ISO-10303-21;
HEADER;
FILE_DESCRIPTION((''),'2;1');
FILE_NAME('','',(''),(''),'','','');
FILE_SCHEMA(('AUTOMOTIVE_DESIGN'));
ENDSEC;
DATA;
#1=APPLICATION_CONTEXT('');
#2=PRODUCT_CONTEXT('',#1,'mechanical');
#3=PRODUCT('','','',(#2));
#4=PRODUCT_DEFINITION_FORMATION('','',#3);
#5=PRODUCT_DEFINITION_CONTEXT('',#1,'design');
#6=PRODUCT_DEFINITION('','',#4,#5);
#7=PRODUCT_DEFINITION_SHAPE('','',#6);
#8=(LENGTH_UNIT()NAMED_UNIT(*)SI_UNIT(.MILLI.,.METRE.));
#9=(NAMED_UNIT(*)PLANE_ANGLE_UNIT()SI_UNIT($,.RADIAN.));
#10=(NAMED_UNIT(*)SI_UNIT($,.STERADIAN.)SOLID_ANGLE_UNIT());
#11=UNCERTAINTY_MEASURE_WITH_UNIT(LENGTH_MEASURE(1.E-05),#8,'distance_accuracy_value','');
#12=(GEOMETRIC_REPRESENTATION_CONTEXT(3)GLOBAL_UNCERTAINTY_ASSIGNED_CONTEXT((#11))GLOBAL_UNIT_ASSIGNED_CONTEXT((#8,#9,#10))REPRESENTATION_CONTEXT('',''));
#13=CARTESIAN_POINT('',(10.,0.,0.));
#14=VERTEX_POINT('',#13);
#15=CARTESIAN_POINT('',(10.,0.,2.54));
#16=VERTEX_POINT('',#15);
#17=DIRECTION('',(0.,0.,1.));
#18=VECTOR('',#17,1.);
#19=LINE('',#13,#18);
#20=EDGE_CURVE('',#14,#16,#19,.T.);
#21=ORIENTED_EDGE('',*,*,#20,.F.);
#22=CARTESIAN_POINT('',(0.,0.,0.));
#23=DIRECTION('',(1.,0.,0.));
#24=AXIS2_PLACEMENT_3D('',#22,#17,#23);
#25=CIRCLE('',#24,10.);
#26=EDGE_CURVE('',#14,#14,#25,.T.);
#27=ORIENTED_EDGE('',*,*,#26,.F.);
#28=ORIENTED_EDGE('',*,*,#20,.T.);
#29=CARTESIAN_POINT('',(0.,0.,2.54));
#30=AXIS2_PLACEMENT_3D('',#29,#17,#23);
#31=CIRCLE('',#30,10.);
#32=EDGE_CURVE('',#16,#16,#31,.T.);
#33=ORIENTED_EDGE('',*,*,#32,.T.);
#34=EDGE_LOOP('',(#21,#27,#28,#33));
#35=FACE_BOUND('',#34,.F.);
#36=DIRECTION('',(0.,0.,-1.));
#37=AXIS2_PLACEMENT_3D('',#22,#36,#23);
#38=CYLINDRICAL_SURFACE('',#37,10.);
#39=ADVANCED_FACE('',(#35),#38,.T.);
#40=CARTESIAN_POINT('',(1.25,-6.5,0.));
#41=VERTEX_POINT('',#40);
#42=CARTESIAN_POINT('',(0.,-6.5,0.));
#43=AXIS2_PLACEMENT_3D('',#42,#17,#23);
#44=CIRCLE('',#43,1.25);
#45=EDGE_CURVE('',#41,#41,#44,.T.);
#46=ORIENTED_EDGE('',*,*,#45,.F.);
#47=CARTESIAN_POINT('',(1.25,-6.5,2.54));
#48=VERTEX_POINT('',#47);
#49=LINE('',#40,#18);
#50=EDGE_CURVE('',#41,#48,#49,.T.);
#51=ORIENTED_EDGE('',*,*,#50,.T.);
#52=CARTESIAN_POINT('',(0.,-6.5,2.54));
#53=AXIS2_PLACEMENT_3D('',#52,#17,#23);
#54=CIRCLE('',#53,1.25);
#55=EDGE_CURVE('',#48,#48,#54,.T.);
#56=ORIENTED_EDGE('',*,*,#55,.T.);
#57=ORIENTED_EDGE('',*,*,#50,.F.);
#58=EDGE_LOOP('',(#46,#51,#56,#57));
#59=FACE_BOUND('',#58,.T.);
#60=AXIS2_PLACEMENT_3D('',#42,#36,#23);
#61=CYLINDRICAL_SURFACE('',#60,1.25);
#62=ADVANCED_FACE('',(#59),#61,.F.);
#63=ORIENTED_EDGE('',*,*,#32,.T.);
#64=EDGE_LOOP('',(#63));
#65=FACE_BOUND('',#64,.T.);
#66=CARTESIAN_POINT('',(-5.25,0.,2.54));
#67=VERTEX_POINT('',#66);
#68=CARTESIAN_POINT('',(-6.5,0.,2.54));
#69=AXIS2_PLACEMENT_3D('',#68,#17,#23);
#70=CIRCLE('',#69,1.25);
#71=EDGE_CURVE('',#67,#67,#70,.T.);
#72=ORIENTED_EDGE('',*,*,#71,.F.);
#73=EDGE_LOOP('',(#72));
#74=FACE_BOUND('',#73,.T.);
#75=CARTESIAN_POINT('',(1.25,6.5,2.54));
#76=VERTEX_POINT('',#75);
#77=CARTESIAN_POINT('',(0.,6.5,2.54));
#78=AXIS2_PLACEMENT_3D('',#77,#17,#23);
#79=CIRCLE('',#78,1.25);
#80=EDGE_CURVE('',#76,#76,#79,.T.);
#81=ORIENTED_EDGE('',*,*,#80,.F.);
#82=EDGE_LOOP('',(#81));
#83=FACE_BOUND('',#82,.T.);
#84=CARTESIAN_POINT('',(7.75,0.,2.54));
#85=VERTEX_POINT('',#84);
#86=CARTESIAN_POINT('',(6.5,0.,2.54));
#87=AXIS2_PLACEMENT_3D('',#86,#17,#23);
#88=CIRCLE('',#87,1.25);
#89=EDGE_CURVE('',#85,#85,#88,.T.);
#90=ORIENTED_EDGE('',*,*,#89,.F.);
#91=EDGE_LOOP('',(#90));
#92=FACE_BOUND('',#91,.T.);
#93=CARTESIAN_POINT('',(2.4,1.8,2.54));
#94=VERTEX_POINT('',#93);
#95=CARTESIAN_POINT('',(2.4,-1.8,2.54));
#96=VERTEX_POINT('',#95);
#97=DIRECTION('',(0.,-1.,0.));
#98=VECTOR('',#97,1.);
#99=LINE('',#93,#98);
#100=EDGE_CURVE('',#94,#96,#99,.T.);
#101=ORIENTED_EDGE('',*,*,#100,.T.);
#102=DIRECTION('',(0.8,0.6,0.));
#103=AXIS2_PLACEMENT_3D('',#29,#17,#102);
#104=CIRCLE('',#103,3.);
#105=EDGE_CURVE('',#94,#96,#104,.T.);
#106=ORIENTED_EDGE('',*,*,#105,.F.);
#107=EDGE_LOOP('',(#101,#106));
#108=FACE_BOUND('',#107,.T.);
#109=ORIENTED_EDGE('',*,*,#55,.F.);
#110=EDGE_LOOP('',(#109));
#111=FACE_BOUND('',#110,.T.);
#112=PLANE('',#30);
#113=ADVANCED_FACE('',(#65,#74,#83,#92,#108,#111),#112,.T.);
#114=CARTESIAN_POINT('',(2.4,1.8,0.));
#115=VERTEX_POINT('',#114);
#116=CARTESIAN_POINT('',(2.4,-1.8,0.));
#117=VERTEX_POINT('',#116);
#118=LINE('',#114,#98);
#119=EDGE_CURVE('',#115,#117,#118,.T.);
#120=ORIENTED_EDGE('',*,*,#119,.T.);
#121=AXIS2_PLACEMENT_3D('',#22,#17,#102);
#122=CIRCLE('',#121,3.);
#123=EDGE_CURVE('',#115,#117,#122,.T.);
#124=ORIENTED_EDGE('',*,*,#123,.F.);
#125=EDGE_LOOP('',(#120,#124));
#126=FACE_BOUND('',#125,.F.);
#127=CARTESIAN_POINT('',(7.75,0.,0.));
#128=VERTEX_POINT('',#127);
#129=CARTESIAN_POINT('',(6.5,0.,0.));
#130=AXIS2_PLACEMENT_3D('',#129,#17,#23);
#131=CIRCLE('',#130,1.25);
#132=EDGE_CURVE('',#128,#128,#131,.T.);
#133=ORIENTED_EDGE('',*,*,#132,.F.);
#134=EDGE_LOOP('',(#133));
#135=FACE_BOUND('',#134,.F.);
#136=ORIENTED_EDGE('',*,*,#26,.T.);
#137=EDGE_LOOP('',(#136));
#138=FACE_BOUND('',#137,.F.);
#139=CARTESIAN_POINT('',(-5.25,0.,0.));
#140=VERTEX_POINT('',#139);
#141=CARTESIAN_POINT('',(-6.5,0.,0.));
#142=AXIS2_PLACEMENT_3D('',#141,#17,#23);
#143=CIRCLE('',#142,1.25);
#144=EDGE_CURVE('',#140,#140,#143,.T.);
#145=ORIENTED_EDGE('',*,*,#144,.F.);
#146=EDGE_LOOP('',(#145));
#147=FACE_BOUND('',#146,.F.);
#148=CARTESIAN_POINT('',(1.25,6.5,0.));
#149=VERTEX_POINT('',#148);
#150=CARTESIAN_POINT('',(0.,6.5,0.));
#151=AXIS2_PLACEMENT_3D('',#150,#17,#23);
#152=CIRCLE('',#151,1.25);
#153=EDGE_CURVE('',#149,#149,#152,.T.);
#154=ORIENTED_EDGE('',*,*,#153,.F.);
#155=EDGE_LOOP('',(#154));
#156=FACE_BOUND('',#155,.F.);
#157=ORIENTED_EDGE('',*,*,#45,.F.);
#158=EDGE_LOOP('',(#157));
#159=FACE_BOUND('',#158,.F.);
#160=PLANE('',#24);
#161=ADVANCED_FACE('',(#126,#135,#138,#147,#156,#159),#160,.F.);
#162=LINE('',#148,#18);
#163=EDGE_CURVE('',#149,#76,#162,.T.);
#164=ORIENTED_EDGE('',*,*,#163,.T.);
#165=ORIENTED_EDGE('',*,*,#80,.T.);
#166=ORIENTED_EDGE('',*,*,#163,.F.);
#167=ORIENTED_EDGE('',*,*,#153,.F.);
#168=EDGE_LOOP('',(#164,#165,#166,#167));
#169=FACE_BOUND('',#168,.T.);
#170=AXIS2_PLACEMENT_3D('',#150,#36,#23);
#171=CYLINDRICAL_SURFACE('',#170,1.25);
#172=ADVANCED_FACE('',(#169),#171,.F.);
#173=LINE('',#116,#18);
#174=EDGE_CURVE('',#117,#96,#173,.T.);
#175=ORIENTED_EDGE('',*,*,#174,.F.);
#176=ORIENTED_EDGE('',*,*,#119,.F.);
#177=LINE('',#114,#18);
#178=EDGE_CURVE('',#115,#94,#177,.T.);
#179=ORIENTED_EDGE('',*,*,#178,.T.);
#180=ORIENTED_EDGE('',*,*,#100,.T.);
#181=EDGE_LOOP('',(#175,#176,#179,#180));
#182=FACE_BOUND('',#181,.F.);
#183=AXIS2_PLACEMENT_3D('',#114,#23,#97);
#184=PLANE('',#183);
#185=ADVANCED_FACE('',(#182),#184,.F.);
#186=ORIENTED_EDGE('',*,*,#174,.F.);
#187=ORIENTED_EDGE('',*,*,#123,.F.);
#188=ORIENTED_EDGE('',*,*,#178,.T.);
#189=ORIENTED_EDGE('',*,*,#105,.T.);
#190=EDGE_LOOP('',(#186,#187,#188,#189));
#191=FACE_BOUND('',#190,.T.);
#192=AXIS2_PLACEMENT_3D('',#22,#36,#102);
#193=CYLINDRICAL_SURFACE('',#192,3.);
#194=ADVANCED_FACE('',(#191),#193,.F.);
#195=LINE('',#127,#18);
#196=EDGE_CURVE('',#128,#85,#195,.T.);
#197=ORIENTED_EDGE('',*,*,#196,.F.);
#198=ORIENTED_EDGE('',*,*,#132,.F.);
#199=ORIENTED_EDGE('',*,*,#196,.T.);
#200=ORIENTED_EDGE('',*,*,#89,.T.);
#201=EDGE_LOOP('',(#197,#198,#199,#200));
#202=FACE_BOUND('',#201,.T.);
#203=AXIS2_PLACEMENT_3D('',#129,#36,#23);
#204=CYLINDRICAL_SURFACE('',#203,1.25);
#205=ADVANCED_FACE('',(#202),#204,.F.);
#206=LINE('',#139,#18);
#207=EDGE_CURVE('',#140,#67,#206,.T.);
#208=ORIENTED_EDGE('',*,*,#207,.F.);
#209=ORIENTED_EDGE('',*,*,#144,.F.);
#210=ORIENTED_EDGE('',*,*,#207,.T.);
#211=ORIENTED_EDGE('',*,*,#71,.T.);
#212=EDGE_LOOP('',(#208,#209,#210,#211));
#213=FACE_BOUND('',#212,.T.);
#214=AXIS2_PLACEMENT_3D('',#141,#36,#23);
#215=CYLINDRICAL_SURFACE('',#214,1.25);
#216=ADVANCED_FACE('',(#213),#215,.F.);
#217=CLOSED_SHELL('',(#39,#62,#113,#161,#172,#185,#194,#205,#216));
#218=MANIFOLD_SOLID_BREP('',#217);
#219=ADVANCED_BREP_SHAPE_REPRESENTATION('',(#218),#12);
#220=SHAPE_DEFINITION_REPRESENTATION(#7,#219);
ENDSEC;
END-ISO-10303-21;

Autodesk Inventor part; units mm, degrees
ref_plane "YZ Plane" through (0, 0, 0) normal (1, 0, 0) x (0, 1, 0)
ref_plane "XZ Plane" through (0, 0, 0) normal (0, 1, 0) x (-1, 0, 0)
ref_plane "XY Plane" through (0, 0, 0) normal (0, 0, 1) x (1, 0, 0)
sketch "Sketch1" plane through (0, 0, 0) normal (0, 0, 1) x (1, 0, 0)
  circle A0 centre (0, 0) radius 10
  arc A1 (2.4, 1.8) -> (2.4, -1.8) centre (0, 0) ccw
  line L0 (-10, 0) -> (10, 0) construction
  line L1 (0, 10) -> (0, -10) construction
  circle A2 centre (0, 0) radius 6.5 construction
  circle A3 centre (-6.5, 0) radius 1.25
  circle A4 centre (0, 6.5) radius 1.25
  circle A5 centre (0, -6.5) radius 1.25
  circle A6 centre (6.5, 0) radius 1.25
  line L2 (-3, 0) -> (0, 0) construction
  line L3 (2.4, 1.8) -> (2.4, -1.8)
  arc A7 (3, 0) -> (2.4, 1.8) centre (0, 0) ccw construction
  arc A8 (2.4, -1.8) -> (3, 0) centre (0, 0) ccw construction
  dimension "d0" = 6
  dimension "d1" = 20
  dimension "d3" = 3.5
  dimension "d4" = 2.5
  dimension "d7" = 5.4
extrude "Plate1" add sketch "Sketch1" along normal blind 2.54
equation "\"d8\" = Thickness"
equation "\"BendRadius\" = Thickness"
equation "\"BendReliefWidth\" = Thickness"
equation "\"BendReliefDepth\" = 0.5 * Thickness"
equation "\"CornerReliefSize\" = 4 * Thickness"
equation "\"MinimumRemnant\" = 2 * Thickness"
equation "\"TransitionRadius\" = BendRadius"
equation "\"JacobiRadiusSize\" = BendRadius"
equation "\"GapSize\" = Thickness"
equation "\"Thickness\" = 2.54"
properties part number "ForearmDHub"
